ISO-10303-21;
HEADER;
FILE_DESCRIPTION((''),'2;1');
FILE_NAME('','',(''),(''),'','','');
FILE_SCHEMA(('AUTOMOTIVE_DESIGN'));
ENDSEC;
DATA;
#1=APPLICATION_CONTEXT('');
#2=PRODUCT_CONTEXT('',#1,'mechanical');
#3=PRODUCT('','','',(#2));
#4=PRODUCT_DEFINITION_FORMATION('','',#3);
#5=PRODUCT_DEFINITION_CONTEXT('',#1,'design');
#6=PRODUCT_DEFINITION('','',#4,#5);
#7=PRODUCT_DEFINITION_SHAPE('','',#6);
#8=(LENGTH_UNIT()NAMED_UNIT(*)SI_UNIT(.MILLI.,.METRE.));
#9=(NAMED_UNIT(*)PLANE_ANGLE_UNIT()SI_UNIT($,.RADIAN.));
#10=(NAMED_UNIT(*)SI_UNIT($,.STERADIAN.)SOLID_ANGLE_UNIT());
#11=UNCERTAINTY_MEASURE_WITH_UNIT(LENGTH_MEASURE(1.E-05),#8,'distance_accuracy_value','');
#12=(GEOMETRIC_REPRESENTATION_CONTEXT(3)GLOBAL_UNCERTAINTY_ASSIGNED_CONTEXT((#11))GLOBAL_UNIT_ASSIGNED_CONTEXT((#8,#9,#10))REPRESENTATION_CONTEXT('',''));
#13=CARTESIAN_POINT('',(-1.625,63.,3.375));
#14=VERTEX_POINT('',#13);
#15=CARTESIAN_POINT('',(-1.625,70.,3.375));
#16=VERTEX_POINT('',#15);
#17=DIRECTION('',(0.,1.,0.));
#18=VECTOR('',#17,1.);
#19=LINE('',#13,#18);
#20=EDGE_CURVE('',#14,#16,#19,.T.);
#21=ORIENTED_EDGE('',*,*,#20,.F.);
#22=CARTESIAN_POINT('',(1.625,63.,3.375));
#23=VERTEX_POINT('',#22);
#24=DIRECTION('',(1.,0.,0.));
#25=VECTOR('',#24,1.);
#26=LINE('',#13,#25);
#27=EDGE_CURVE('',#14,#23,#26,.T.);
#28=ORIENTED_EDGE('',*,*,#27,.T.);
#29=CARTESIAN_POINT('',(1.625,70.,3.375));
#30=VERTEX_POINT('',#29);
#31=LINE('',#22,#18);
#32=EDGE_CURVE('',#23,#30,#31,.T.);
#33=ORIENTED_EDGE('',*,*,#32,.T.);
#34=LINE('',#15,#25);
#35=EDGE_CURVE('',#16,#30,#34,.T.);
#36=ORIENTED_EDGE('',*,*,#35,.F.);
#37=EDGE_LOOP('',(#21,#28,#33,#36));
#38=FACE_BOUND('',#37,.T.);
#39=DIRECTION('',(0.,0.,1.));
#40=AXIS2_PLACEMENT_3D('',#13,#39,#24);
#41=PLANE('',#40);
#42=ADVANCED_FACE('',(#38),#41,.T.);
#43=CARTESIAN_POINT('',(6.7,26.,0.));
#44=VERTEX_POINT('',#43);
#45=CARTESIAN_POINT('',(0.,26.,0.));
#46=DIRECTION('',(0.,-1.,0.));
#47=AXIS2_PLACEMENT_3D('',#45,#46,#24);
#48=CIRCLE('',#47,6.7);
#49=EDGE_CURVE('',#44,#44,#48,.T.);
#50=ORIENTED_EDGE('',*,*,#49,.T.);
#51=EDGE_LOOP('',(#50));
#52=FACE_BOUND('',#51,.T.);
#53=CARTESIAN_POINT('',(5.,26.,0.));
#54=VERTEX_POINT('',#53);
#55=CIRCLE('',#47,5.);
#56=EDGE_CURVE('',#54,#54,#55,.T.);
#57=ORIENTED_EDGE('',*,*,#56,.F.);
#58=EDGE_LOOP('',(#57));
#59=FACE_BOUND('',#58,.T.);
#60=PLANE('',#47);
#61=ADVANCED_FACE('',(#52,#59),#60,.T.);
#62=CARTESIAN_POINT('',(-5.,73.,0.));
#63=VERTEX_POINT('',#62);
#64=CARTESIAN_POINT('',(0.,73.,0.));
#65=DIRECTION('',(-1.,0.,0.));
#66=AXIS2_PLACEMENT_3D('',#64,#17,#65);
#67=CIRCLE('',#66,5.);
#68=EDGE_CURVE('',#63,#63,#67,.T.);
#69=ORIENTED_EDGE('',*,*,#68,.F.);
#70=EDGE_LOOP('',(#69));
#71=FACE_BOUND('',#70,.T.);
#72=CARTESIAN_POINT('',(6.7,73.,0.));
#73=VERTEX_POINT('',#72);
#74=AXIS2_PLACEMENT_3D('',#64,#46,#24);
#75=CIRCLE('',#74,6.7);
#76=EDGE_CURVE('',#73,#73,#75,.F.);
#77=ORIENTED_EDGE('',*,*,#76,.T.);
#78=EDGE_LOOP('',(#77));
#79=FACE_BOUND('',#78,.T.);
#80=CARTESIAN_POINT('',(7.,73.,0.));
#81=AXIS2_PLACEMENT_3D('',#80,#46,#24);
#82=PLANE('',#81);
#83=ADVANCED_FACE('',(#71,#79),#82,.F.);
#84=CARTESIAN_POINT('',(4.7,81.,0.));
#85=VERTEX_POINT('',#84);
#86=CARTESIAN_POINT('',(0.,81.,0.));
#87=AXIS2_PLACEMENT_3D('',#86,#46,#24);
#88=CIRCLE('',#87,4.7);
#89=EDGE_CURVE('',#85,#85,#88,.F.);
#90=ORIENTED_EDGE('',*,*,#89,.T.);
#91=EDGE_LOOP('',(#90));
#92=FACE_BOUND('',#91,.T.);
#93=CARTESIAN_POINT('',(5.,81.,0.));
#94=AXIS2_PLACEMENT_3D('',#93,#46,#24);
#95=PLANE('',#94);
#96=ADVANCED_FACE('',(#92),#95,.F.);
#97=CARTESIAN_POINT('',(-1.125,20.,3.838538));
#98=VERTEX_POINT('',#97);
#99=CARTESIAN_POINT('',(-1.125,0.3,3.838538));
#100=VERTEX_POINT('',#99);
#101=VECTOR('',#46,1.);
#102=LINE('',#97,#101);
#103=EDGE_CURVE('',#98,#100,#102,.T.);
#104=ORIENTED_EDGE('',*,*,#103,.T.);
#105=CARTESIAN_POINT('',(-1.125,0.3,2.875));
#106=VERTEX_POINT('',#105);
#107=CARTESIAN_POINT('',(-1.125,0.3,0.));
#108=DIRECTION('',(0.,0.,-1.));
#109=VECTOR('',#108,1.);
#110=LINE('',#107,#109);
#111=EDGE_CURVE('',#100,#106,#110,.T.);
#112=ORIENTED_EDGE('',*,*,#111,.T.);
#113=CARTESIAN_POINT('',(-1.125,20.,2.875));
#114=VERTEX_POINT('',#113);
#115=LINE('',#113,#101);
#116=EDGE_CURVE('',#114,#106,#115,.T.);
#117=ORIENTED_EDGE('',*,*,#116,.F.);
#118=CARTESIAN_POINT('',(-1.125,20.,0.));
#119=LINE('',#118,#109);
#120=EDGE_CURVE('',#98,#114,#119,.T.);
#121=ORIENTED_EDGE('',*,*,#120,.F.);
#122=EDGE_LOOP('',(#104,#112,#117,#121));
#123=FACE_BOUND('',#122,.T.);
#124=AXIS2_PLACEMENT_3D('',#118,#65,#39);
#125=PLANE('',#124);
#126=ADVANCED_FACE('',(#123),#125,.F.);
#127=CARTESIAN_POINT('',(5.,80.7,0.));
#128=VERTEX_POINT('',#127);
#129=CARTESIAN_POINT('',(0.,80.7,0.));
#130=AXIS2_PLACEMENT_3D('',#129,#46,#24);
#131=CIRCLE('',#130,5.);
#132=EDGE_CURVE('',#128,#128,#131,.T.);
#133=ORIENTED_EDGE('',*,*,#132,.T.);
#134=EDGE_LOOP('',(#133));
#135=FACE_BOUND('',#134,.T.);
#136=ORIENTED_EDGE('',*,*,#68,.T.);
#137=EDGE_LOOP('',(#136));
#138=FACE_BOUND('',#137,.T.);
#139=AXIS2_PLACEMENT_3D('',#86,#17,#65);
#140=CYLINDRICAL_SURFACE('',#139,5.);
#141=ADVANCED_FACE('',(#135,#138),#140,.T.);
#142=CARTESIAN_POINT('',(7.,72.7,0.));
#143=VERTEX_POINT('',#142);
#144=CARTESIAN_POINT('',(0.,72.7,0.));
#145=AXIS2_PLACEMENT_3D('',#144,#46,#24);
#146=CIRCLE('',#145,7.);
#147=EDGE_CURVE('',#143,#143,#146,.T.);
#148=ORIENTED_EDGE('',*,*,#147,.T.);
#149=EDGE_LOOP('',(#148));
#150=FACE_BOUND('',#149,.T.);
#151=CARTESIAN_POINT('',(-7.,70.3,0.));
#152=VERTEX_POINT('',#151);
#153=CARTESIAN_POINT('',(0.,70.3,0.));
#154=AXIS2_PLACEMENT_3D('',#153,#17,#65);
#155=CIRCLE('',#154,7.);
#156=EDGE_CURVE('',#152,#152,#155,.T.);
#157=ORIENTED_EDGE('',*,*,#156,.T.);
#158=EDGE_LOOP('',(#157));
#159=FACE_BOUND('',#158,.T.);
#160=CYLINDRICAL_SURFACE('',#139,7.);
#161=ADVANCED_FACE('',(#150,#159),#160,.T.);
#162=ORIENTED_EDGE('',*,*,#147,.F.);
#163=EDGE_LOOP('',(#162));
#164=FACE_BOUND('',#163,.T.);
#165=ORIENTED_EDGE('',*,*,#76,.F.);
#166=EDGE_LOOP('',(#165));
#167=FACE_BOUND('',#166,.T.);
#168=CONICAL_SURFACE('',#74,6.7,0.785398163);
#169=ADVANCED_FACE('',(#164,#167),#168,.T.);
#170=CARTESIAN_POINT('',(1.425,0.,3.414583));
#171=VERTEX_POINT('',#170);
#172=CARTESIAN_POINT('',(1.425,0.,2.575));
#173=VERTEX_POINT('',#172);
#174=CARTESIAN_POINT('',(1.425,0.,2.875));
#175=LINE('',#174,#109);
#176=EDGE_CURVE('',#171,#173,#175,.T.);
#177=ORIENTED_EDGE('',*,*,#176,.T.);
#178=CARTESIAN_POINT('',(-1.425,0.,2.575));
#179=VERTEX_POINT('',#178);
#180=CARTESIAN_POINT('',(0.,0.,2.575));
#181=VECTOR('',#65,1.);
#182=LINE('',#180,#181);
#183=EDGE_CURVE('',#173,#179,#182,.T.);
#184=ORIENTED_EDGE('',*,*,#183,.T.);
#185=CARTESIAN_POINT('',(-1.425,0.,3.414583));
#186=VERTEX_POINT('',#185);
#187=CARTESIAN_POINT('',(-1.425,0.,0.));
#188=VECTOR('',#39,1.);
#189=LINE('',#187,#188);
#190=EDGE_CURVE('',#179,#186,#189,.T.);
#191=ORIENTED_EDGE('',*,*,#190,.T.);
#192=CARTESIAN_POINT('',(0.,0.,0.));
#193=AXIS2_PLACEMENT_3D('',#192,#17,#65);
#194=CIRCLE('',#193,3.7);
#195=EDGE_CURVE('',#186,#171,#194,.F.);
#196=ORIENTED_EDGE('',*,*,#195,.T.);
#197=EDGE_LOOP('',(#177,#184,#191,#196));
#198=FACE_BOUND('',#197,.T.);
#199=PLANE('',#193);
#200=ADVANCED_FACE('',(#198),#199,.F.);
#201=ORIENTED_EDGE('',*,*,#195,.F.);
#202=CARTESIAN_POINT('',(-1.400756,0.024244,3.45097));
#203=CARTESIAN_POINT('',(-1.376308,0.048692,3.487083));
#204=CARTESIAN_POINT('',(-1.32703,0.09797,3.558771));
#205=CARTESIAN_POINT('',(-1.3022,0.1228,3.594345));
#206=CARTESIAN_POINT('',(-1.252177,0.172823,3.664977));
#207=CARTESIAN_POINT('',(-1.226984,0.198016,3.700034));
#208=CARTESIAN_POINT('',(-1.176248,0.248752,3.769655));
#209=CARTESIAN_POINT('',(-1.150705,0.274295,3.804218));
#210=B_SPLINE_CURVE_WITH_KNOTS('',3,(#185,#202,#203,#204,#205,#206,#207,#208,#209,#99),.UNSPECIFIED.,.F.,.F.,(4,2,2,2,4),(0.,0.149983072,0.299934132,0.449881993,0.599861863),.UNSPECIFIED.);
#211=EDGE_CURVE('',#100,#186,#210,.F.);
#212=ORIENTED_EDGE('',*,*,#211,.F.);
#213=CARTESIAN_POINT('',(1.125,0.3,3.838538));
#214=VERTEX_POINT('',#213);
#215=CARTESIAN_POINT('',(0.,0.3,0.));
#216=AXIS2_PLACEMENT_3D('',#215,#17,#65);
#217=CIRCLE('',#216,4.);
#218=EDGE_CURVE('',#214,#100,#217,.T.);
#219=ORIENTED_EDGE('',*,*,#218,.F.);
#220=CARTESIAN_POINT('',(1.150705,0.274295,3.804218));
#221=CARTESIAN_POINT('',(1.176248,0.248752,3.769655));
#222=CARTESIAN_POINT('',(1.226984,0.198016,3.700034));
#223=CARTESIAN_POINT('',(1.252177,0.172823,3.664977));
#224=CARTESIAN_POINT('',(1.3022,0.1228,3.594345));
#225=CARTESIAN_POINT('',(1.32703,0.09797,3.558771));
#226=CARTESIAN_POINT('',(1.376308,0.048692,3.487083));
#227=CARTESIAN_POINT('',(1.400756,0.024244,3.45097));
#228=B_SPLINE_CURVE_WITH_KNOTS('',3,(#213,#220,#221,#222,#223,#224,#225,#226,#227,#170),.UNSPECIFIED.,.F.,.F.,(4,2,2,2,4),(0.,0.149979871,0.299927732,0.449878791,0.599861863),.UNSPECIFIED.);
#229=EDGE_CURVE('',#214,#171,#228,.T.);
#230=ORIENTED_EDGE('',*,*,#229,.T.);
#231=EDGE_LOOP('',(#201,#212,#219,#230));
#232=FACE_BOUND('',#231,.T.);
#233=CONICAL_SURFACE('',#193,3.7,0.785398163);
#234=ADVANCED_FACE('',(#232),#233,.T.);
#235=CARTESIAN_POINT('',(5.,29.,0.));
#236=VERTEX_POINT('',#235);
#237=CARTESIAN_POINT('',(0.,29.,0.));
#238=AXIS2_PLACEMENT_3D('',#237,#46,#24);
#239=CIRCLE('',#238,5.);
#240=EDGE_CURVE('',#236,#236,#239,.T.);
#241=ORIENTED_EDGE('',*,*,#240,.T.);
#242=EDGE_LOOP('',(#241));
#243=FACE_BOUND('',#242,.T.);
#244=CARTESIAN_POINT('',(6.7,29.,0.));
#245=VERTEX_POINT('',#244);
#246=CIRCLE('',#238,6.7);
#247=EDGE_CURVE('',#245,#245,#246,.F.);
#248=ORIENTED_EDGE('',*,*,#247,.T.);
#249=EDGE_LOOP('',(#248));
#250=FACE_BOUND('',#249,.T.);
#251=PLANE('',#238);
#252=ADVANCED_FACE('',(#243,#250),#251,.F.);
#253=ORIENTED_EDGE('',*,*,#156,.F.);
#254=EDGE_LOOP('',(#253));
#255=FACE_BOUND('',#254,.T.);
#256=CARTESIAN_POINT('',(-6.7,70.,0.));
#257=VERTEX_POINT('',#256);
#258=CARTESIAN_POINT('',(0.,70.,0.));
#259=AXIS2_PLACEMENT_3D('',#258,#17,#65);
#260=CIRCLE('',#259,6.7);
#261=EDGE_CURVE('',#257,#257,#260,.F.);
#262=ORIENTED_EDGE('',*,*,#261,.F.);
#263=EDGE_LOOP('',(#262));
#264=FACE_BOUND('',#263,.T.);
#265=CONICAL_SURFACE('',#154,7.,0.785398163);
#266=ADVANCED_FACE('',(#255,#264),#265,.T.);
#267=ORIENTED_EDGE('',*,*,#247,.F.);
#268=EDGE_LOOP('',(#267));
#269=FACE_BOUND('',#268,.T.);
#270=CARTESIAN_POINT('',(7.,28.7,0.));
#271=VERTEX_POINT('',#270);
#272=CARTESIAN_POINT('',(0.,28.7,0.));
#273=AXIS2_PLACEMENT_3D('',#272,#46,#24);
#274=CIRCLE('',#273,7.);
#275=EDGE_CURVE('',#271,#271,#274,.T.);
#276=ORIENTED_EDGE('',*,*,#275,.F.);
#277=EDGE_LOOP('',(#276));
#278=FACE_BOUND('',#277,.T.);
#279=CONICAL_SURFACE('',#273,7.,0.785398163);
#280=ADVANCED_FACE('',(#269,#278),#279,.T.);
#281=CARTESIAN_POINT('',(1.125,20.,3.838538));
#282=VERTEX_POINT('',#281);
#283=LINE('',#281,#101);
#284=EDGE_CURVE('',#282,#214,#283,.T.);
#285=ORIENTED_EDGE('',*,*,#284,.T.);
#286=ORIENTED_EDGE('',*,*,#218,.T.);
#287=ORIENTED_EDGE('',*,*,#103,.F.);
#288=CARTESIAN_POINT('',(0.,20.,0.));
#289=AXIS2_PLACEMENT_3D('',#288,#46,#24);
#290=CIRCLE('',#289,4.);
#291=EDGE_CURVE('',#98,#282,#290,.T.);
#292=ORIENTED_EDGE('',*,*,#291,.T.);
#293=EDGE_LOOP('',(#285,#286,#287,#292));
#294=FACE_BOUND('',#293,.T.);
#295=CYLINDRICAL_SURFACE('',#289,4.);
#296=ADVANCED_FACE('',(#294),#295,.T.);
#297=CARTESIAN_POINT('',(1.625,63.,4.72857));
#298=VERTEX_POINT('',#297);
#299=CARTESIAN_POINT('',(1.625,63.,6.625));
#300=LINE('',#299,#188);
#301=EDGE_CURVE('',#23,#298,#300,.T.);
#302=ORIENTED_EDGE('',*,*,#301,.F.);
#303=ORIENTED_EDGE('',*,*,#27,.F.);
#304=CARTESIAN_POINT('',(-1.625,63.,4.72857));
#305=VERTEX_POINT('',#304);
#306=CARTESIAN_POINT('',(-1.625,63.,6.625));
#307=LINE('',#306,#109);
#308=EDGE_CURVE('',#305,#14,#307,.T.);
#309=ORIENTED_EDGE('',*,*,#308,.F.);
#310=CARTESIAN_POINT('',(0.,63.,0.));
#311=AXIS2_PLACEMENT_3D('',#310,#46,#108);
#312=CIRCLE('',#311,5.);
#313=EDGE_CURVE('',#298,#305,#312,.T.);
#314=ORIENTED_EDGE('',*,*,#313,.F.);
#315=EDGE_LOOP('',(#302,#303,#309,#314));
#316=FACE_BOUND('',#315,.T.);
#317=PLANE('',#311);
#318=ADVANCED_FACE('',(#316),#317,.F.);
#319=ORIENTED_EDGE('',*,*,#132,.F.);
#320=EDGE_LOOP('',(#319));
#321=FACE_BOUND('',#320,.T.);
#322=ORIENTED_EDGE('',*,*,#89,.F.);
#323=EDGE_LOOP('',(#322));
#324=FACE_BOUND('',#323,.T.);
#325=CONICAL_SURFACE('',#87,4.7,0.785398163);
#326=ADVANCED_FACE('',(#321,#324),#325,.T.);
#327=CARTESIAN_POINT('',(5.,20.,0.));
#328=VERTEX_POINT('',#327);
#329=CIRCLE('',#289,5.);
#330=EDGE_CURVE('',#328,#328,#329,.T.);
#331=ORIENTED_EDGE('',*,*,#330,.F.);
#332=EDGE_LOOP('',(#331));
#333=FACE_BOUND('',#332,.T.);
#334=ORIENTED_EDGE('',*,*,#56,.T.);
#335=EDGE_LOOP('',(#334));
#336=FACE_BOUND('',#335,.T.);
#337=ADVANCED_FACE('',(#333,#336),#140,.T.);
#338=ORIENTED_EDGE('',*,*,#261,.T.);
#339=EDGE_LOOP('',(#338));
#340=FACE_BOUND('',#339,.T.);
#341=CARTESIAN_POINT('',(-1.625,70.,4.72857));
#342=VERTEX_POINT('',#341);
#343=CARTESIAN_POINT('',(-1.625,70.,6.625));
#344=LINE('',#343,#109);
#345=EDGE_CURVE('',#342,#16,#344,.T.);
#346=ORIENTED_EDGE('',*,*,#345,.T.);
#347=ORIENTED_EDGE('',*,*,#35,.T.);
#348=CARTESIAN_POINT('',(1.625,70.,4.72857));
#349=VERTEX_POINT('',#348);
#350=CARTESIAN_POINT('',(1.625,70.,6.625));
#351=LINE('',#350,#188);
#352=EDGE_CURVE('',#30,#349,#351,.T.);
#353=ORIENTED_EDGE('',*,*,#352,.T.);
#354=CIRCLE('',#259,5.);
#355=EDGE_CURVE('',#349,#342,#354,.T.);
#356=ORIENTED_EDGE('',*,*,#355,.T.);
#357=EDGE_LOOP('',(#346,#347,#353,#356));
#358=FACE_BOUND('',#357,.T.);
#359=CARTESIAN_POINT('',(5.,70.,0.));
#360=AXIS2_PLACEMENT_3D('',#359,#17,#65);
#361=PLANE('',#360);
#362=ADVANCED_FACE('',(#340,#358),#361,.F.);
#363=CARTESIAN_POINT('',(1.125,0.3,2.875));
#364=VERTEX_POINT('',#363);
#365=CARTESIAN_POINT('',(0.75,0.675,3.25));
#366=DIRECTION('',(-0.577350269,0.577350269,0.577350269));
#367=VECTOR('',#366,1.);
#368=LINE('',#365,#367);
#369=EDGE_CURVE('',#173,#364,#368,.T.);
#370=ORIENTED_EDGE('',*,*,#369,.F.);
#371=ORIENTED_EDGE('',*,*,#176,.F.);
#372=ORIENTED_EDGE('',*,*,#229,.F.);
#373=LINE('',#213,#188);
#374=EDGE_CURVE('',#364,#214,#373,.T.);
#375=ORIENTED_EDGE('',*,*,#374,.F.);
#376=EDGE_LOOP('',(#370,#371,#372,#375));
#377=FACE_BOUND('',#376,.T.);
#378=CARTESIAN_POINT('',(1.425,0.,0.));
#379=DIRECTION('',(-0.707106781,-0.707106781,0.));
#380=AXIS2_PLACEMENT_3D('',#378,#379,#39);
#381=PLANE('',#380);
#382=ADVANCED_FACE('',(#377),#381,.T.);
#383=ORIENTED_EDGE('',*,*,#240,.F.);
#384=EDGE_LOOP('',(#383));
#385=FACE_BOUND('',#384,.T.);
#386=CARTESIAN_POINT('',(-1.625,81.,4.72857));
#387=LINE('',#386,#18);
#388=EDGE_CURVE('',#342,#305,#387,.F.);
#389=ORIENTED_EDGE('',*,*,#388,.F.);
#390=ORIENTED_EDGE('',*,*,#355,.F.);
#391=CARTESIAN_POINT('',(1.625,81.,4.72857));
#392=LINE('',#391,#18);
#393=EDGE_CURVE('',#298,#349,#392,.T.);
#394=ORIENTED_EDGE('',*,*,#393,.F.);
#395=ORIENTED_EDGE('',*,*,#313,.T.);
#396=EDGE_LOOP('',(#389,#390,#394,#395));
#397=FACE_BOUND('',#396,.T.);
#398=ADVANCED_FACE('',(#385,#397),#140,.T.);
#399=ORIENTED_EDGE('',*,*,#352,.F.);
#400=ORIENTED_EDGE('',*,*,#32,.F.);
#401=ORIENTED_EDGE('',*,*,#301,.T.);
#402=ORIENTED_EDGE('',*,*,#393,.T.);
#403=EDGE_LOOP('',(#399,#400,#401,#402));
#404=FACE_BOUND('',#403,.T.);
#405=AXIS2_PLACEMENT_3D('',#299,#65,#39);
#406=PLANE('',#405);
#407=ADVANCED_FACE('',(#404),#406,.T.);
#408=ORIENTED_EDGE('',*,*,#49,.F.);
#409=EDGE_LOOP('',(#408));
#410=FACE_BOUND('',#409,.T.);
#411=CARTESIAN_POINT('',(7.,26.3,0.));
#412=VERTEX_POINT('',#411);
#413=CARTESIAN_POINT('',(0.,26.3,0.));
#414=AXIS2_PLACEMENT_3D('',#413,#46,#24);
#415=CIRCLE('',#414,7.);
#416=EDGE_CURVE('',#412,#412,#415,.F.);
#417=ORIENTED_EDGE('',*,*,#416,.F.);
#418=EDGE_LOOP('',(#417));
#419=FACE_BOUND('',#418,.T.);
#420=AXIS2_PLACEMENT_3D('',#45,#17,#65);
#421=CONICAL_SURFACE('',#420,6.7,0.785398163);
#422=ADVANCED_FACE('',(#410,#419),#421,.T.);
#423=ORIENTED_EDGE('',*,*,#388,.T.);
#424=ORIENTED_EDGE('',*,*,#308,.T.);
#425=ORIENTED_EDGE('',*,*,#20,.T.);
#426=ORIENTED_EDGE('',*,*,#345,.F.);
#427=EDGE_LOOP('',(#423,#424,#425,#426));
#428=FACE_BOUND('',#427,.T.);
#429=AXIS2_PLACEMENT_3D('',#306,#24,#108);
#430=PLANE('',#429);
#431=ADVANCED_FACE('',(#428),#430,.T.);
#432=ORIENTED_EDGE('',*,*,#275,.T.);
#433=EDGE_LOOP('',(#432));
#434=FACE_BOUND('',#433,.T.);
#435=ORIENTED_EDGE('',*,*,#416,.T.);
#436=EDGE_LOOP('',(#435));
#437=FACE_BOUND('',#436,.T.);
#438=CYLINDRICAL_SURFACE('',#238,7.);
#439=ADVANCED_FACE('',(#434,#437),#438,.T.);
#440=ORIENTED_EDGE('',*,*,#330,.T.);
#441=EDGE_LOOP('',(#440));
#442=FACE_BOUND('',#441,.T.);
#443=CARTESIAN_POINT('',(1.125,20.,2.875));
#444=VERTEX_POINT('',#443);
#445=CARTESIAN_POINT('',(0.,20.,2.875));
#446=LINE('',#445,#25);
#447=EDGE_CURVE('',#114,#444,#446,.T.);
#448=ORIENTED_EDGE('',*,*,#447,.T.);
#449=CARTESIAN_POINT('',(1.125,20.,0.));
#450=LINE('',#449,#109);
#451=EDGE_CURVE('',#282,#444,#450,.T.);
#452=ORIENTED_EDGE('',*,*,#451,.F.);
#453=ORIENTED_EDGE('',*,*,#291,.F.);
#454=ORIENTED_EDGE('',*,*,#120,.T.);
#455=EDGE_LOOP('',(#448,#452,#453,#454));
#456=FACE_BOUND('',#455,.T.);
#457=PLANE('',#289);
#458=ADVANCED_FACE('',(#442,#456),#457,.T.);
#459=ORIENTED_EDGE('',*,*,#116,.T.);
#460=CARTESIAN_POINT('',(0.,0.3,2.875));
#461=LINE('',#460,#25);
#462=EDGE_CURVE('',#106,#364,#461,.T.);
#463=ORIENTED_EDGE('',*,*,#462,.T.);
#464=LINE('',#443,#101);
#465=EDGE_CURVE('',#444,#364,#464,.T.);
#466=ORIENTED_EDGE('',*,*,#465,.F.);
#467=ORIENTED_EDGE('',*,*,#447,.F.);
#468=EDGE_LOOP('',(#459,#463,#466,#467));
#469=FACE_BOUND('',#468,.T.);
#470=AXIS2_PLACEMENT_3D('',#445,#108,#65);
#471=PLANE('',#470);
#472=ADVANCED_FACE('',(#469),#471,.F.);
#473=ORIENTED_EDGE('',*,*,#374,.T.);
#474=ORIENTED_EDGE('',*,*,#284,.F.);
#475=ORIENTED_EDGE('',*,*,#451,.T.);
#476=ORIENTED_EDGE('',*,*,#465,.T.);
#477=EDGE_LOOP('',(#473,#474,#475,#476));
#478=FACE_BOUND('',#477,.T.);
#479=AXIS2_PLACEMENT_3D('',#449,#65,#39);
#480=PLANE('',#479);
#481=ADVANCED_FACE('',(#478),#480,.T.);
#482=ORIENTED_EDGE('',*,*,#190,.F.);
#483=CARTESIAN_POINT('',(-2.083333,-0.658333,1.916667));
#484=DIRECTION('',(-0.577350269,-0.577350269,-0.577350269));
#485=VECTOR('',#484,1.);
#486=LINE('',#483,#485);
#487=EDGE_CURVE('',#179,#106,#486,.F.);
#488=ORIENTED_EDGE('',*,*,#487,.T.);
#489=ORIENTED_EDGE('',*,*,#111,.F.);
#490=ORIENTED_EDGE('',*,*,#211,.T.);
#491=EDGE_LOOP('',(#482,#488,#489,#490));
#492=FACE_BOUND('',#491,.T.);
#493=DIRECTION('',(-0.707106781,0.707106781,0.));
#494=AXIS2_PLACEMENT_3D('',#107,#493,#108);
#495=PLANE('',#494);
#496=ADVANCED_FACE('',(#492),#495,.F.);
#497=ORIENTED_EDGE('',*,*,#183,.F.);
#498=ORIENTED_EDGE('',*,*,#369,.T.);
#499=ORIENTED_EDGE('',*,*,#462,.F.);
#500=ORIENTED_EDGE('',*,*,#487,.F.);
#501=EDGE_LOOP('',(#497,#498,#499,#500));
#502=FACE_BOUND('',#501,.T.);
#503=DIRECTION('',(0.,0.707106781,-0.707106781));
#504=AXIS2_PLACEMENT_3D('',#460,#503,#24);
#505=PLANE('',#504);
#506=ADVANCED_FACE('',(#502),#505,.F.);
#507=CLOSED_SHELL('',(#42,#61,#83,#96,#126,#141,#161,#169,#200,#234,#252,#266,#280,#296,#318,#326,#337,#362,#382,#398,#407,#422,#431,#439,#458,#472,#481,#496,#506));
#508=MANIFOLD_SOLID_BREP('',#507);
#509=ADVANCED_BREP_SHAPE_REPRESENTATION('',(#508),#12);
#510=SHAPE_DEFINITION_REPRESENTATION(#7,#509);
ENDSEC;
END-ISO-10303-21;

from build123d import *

# Parameters (mm, degrees)
SKETCH2_W           = 3.25
SKETCH2_H           = 3.25
CUT_EXTRUDE1_DEPTH  = 7
SKETCH3_R           = 6.416941782
CUT_EXTRUDE2_DEPTH  = 20
CHAMFER1_SIZE       = 0.3
BOSS_EXTRUDE1_START = -3
SKETCH5_R           = 7
BOSS_EXTRUDE1_DEPTH = 3
CHAMFER2_SIZE       = 0.3


with BuildPart() as part:
    # Sketch1 → Revolve1 (revolve)
    with BuildSketch(Plane.XY):
        Polygon((0, 0), (5, 0), (5, 70), (7, 70), (7, 73), (5, 73), (5, 81), (0, 81), align=None)
    revolve(axis=Axis((0, 81, 0), (0, -1, 0)))

    # Sketch2 → Cut-Extrude1 (cut)
    with BuildSketch(Plane.XZ.offset(-70)):
        with Locations((0, 5)):
            Rectangle(SKETCH2_W, SKETCH2_H)
    extrude(amount=CUT_EXTRUDE1_DEPTH, mode=Mode.SUBTRACT)

    # Sketch3 → Cut-Extrude2 (cut)
    with BuildSketch(Plane.XZ):
        Circle(SKETCH3_R)
        with BuildLine():
            ThreePointArc((1.125, 3.838538133), (0, -4), (-1.125, 3.838538133))
            Line((-1.125, 3.838538133), (-1.125, 2.875))
            Line((-1.125, 2.875), (1.125, 2.875))
            Line((1.125, 2.875), (1.125, 3.838538133))
        make_face(mode=Mode.SUBTRACT)
    extrude(amount=-CUT_EXTRUDE2_DEPTH, mode=Mode.SUBTRACT)

    # Chamfer1
    chamfer1_edges = [part.edges().sort_by_distance(p)[0] for p in [
        (-5, 81, 0),
        (-7, 70, 0),
        (-7, 73, 0),
        (-1.125, 0, 3.356769067),
        (0, 0, 2.875),
        (1.125, 0, 3.356769067),
        (0, 0, -4),
    ]]
    chamfer(chamfer1_edges, length=CHAMFER1_SIZE)

    # Sketch5 → Boss-Extrude1 (add)
    with BuildSketch(Plane(origin=(0, 26, 0), x_dir=(-1, 0, 0), z_dir=(0, -1, 0)).offset(BOSS_EXTRUDE1_START)):
        Circle(SKETCH5_R)
    extrude(amount=BOSS_EXTRUDE1_DEPTH)

    # Chamfer2
    chamfer2_edges = [part.edges().sort_by_distance(p)[0] for p in [
        (7, 26, 0),
        (7, 29, 0),
    ]]
    chamfer(chamfer2_edges, length=CHAMFER2_SIZE)


solid = part.part
